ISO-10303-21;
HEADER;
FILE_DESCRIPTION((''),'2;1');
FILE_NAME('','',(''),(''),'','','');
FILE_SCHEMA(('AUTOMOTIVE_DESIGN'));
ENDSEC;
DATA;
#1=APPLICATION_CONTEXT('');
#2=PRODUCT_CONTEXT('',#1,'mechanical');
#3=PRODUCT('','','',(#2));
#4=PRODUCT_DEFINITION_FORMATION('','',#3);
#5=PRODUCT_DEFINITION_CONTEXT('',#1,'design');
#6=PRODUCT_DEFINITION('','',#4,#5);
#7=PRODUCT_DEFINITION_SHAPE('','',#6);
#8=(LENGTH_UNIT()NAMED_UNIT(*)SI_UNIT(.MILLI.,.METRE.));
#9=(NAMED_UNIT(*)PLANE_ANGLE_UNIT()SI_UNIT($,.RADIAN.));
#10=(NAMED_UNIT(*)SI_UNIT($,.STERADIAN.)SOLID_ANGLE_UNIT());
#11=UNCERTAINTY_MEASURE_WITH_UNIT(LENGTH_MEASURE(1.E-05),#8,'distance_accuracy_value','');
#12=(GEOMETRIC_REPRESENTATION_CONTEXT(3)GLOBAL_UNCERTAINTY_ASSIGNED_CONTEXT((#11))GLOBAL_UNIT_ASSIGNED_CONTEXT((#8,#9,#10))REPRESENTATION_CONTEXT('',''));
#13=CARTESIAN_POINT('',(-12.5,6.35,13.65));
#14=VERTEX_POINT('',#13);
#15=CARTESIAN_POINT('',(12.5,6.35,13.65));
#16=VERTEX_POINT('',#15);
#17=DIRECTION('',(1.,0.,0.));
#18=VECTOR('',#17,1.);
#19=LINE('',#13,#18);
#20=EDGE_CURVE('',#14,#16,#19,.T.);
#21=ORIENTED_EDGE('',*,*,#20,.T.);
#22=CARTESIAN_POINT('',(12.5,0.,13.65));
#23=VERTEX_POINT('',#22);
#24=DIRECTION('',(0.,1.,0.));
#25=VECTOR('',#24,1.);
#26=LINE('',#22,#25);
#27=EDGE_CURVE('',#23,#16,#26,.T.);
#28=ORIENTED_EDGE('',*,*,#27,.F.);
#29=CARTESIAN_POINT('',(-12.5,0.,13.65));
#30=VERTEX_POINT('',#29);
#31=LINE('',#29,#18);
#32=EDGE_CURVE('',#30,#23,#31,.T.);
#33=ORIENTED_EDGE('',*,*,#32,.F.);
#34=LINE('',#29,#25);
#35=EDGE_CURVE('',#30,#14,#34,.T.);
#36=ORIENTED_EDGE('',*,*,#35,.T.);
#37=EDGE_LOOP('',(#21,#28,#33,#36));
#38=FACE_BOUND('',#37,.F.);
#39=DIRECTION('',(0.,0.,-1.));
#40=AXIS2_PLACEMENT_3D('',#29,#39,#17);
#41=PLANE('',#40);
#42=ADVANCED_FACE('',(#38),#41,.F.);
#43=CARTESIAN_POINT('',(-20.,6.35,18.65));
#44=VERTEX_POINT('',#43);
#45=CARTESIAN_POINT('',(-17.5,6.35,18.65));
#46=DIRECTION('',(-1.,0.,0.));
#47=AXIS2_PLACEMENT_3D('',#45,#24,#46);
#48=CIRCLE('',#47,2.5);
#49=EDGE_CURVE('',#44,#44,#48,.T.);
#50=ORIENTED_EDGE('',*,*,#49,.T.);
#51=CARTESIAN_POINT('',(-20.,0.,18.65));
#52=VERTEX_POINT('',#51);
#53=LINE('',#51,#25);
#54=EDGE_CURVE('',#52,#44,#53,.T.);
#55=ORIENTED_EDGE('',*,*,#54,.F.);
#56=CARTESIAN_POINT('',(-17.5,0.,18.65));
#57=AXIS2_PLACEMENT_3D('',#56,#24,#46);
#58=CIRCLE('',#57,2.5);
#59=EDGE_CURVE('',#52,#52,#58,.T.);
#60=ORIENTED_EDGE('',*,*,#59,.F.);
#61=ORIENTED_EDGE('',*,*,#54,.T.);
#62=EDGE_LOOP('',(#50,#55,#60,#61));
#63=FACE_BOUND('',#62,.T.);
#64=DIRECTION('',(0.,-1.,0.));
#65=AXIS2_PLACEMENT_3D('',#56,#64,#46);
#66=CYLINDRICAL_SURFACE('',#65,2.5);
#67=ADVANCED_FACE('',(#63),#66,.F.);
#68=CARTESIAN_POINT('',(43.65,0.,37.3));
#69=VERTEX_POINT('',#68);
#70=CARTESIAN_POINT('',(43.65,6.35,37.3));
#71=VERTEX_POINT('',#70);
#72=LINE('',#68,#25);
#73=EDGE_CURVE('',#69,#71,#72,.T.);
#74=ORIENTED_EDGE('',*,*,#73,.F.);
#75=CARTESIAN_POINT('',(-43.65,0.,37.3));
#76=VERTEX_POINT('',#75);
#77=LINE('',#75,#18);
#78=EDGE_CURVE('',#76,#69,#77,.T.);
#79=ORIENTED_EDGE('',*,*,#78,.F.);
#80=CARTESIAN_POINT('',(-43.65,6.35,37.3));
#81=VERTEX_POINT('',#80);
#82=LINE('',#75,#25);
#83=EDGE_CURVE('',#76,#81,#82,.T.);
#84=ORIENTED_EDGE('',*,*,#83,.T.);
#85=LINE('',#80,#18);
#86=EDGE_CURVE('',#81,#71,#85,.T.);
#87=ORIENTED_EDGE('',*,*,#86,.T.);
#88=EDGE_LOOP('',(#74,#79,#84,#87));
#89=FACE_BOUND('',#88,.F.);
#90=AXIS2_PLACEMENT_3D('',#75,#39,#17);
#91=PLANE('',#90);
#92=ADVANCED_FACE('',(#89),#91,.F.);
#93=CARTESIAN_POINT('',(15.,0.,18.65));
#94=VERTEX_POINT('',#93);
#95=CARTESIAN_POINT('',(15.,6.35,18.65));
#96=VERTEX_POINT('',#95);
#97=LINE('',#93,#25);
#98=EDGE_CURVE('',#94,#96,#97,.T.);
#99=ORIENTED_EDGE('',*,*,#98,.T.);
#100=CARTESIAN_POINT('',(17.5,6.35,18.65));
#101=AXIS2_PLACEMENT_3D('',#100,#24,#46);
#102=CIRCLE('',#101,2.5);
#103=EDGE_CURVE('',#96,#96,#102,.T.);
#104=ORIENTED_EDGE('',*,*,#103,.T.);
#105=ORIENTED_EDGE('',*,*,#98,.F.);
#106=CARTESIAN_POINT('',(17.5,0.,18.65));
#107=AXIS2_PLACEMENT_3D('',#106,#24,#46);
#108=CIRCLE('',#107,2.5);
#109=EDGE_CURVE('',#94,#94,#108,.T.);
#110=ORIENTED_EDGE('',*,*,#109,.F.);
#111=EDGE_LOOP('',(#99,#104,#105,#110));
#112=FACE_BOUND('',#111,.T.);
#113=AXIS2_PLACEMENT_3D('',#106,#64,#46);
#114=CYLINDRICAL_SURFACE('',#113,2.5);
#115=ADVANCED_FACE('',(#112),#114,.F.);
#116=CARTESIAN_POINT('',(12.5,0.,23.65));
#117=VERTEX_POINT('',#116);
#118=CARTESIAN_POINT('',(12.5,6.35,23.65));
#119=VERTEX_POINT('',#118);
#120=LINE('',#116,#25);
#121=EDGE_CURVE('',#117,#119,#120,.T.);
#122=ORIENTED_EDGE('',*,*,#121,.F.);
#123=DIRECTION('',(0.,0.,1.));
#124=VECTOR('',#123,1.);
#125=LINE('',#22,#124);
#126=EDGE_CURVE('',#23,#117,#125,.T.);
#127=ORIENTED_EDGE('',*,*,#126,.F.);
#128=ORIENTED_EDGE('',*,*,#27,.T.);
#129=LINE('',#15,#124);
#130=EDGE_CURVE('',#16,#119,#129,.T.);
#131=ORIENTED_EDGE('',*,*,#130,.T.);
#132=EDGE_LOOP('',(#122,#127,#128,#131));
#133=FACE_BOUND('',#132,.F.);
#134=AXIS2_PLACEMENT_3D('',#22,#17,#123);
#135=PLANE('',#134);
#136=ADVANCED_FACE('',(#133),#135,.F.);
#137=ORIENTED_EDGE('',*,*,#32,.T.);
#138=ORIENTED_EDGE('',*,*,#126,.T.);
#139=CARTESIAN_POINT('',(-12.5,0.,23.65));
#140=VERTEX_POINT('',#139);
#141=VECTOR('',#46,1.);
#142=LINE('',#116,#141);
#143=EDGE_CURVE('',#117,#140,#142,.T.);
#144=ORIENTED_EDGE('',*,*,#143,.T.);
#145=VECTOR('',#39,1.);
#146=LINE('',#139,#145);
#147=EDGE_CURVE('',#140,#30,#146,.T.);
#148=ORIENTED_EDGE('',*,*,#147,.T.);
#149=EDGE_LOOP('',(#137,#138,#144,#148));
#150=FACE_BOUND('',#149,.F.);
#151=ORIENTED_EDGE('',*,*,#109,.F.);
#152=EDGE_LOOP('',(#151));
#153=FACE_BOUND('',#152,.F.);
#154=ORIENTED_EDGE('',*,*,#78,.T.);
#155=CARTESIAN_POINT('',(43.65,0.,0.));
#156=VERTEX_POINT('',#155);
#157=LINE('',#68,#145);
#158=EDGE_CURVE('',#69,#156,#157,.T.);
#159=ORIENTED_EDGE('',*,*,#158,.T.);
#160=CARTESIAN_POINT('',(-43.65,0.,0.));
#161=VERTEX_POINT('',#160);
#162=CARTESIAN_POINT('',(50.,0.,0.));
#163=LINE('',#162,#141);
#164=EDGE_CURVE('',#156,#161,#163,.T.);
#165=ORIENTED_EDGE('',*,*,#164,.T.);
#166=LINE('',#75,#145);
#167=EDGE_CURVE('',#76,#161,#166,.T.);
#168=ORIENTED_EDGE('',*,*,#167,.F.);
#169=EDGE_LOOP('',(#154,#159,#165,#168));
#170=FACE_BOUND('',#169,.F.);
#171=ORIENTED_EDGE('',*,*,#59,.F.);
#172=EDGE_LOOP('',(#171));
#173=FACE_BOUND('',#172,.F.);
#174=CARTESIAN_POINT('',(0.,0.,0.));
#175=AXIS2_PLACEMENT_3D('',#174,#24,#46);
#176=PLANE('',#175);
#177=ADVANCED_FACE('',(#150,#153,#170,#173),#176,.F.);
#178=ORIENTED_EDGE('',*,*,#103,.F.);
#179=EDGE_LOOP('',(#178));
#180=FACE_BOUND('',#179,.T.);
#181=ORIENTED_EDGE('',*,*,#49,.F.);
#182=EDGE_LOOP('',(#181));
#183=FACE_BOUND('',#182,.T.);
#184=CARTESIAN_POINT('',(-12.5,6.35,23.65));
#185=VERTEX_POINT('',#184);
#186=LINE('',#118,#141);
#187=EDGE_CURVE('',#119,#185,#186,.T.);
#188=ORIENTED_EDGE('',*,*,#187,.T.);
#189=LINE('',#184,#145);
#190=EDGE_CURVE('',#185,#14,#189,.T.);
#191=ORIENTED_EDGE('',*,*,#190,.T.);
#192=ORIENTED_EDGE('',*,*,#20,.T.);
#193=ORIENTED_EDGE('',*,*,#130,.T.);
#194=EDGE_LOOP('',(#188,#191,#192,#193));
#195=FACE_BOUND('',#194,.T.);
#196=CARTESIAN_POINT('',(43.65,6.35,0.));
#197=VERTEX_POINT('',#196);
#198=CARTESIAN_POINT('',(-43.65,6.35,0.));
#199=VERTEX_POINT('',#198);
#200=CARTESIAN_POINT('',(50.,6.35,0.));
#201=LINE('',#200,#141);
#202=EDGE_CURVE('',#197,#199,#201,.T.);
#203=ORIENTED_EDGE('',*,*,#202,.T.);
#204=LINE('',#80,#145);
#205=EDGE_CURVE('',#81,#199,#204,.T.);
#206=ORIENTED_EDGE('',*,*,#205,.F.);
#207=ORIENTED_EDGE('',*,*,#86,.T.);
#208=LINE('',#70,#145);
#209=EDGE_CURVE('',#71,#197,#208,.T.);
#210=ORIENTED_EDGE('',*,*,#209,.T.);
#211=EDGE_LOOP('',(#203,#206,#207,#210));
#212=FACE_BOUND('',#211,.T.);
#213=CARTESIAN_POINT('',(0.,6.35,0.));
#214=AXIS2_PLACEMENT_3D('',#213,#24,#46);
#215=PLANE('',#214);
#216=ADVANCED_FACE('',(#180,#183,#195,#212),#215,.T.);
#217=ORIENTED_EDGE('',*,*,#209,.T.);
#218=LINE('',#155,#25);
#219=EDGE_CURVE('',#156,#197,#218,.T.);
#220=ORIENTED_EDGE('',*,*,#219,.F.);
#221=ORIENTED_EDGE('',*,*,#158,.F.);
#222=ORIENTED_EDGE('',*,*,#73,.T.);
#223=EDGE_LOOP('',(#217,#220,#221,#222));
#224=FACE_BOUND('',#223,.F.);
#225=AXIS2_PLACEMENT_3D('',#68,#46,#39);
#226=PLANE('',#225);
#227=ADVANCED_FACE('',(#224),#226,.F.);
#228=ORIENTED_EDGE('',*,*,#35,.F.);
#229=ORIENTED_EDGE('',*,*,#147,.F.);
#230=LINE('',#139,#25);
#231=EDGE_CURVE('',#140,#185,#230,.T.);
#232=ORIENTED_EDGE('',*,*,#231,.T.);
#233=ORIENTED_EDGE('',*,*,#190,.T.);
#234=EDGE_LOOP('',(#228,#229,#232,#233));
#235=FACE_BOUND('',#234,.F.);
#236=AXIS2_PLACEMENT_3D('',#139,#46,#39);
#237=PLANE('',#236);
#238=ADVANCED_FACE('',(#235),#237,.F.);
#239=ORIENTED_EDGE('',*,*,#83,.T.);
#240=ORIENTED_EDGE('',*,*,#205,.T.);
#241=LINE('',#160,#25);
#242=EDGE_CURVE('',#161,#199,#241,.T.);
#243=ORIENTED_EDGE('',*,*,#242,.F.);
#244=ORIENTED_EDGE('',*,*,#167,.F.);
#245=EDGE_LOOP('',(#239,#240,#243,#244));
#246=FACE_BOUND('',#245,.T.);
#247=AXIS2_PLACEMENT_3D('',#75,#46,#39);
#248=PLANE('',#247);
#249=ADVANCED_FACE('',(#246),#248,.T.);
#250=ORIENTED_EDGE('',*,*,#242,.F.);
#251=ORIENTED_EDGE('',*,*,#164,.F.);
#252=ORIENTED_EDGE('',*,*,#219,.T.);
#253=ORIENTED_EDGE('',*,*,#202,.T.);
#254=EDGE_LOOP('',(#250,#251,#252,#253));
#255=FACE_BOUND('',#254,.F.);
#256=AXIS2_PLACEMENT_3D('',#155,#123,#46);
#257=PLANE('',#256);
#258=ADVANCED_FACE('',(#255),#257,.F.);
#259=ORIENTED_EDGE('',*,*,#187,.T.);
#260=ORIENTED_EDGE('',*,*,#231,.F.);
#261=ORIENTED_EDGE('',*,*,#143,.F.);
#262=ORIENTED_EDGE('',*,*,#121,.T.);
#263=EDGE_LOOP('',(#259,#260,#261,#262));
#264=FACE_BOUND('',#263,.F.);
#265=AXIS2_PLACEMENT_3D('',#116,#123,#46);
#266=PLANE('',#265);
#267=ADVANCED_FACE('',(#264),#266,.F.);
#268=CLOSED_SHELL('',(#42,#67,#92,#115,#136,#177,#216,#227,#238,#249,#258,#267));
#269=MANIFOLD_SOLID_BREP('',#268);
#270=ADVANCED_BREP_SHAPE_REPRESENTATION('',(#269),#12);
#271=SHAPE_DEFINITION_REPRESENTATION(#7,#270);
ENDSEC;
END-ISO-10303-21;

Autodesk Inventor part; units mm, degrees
ref_plane "YZ Plane" through (0, 0, 0) normal (1, 0, 0) x (0, 1, 0)
ref_plane "XZ Plane" through (0, 0, 0) normal (0, 1, 0) x (-1, 0, 0)
ref_plane "XY Plane" through (0, 0, 0) normal (0, 0, 1) x (1, 0, 0)
sketch "Sketch1" plane through (0, 0, 0) normal (0, 1, 0) x (-1, 0, 0)
  line L0 (43.65, 37.3) -> (43.65, 0) projected
  line L1 (-50, 0) -> (50, 0) projected
  line L2 (-43.65, 37.3) -> (-43.65, 0) projected
  line L3 (43.65, 37.3) -> (-43.65, 37.3)
  line L4 (12.5, 13.65) -> (-12.5, 13.65)
  line L5 (-12.5, 13.65) -> (-12.5, 23.65)
  line L6 (-12.5, 23.65) -> (12.5, 23.65)
  line L7 (12.5, 23.65) -> (12.5, 13.65)
  circle A0 centre (17.5, 18.65) radius 2.5
  circle A1 centre (-17.5, 18.65) radius 2.5
  point P0 (0, 0)
  point P1 (-33.65, 37.3)
  point P2 (-12.5, 18.65)
  point P3 (12.5, 18.65)
  point P4 (-43.65, 18.65)
  point P5 (0, 0)
  point P6 (0, 13.65)
  dimension "d5" = 25
  dimension "d6" = 10
  dimension "d7" = 5
  dimension "d8" = 5
  dimension "d9" = 5
  dimension "d10" = 5
extrude "Extrusion2" add sketch "Sketch1" along normal blind 6.35
properties part number "FrameV1"
